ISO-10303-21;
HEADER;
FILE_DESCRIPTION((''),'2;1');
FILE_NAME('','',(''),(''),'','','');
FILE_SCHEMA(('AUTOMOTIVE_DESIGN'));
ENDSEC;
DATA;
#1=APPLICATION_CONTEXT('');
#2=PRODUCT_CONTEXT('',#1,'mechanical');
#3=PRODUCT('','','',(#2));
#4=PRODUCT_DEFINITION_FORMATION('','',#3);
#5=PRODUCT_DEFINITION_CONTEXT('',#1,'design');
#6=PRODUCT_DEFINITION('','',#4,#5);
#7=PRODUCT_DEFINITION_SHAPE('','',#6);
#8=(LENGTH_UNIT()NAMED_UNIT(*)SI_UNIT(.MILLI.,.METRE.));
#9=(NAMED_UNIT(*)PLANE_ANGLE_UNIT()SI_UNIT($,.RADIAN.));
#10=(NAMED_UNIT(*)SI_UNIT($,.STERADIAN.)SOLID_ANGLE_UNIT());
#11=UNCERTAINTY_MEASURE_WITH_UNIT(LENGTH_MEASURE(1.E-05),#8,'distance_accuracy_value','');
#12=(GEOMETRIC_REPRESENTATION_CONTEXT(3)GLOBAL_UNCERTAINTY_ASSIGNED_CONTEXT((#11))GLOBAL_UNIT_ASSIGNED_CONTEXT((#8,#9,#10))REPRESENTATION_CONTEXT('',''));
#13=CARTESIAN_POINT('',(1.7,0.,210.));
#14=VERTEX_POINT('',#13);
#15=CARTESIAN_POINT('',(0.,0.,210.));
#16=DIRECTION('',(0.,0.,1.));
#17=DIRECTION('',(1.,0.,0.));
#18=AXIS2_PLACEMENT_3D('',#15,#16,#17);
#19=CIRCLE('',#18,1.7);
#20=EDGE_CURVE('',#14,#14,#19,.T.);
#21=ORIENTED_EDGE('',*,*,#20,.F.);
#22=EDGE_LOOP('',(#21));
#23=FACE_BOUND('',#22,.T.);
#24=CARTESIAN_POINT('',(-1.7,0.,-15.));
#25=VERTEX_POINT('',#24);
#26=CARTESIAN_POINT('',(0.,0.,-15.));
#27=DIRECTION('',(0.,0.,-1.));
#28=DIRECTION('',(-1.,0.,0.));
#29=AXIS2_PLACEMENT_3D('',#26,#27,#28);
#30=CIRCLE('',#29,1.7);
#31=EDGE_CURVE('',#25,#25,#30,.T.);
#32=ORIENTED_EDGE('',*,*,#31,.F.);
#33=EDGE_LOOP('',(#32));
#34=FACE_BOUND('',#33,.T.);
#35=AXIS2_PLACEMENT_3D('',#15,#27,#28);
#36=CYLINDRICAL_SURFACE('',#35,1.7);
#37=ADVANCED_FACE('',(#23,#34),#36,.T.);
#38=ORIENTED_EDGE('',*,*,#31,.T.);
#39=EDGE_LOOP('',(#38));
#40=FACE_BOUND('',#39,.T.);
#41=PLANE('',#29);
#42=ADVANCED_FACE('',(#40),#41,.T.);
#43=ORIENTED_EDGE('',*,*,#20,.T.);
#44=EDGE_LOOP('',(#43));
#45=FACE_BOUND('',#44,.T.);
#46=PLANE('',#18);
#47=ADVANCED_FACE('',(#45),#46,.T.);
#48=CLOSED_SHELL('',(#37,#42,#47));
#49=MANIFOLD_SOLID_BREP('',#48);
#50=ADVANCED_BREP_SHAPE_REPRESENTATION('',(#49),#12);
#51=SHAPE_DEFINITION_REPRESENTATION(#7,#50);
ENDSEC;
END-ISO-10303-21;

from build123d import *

# Parameters (mm, degrees)
SKETCH1_R           = 1.7
BOSS_EXTRUDE1_DEPTH = 210
BOSS_EXTRUDE2_START = 15
SKETCH2_R           = 1.7
BOSS_EXTRUDE2_DEPTH = 15


with BuildPart() as part:
    # Sketch1 → Boss-Extrude1 (new body)
    with BuildSketch(Plane.XY):
        Circle(SKETCH1_R)
    extrude(amount=BOSS_EXTRUDE1_DEPTH)

    # Sketch2 → Boss-Extrude2 (add)
    with BuildSketch(Plane(origin=(0, 0, 0), x_dir=(-1, 0, 0), z_dir=(0, 0, -1)).offset(BOSS_EXTRUDE2_START)):
        Circle(SKETCH2_R)
    extrude(amount=-BOSS_EXTRUDE2_DEPTH)


solid = part.part
